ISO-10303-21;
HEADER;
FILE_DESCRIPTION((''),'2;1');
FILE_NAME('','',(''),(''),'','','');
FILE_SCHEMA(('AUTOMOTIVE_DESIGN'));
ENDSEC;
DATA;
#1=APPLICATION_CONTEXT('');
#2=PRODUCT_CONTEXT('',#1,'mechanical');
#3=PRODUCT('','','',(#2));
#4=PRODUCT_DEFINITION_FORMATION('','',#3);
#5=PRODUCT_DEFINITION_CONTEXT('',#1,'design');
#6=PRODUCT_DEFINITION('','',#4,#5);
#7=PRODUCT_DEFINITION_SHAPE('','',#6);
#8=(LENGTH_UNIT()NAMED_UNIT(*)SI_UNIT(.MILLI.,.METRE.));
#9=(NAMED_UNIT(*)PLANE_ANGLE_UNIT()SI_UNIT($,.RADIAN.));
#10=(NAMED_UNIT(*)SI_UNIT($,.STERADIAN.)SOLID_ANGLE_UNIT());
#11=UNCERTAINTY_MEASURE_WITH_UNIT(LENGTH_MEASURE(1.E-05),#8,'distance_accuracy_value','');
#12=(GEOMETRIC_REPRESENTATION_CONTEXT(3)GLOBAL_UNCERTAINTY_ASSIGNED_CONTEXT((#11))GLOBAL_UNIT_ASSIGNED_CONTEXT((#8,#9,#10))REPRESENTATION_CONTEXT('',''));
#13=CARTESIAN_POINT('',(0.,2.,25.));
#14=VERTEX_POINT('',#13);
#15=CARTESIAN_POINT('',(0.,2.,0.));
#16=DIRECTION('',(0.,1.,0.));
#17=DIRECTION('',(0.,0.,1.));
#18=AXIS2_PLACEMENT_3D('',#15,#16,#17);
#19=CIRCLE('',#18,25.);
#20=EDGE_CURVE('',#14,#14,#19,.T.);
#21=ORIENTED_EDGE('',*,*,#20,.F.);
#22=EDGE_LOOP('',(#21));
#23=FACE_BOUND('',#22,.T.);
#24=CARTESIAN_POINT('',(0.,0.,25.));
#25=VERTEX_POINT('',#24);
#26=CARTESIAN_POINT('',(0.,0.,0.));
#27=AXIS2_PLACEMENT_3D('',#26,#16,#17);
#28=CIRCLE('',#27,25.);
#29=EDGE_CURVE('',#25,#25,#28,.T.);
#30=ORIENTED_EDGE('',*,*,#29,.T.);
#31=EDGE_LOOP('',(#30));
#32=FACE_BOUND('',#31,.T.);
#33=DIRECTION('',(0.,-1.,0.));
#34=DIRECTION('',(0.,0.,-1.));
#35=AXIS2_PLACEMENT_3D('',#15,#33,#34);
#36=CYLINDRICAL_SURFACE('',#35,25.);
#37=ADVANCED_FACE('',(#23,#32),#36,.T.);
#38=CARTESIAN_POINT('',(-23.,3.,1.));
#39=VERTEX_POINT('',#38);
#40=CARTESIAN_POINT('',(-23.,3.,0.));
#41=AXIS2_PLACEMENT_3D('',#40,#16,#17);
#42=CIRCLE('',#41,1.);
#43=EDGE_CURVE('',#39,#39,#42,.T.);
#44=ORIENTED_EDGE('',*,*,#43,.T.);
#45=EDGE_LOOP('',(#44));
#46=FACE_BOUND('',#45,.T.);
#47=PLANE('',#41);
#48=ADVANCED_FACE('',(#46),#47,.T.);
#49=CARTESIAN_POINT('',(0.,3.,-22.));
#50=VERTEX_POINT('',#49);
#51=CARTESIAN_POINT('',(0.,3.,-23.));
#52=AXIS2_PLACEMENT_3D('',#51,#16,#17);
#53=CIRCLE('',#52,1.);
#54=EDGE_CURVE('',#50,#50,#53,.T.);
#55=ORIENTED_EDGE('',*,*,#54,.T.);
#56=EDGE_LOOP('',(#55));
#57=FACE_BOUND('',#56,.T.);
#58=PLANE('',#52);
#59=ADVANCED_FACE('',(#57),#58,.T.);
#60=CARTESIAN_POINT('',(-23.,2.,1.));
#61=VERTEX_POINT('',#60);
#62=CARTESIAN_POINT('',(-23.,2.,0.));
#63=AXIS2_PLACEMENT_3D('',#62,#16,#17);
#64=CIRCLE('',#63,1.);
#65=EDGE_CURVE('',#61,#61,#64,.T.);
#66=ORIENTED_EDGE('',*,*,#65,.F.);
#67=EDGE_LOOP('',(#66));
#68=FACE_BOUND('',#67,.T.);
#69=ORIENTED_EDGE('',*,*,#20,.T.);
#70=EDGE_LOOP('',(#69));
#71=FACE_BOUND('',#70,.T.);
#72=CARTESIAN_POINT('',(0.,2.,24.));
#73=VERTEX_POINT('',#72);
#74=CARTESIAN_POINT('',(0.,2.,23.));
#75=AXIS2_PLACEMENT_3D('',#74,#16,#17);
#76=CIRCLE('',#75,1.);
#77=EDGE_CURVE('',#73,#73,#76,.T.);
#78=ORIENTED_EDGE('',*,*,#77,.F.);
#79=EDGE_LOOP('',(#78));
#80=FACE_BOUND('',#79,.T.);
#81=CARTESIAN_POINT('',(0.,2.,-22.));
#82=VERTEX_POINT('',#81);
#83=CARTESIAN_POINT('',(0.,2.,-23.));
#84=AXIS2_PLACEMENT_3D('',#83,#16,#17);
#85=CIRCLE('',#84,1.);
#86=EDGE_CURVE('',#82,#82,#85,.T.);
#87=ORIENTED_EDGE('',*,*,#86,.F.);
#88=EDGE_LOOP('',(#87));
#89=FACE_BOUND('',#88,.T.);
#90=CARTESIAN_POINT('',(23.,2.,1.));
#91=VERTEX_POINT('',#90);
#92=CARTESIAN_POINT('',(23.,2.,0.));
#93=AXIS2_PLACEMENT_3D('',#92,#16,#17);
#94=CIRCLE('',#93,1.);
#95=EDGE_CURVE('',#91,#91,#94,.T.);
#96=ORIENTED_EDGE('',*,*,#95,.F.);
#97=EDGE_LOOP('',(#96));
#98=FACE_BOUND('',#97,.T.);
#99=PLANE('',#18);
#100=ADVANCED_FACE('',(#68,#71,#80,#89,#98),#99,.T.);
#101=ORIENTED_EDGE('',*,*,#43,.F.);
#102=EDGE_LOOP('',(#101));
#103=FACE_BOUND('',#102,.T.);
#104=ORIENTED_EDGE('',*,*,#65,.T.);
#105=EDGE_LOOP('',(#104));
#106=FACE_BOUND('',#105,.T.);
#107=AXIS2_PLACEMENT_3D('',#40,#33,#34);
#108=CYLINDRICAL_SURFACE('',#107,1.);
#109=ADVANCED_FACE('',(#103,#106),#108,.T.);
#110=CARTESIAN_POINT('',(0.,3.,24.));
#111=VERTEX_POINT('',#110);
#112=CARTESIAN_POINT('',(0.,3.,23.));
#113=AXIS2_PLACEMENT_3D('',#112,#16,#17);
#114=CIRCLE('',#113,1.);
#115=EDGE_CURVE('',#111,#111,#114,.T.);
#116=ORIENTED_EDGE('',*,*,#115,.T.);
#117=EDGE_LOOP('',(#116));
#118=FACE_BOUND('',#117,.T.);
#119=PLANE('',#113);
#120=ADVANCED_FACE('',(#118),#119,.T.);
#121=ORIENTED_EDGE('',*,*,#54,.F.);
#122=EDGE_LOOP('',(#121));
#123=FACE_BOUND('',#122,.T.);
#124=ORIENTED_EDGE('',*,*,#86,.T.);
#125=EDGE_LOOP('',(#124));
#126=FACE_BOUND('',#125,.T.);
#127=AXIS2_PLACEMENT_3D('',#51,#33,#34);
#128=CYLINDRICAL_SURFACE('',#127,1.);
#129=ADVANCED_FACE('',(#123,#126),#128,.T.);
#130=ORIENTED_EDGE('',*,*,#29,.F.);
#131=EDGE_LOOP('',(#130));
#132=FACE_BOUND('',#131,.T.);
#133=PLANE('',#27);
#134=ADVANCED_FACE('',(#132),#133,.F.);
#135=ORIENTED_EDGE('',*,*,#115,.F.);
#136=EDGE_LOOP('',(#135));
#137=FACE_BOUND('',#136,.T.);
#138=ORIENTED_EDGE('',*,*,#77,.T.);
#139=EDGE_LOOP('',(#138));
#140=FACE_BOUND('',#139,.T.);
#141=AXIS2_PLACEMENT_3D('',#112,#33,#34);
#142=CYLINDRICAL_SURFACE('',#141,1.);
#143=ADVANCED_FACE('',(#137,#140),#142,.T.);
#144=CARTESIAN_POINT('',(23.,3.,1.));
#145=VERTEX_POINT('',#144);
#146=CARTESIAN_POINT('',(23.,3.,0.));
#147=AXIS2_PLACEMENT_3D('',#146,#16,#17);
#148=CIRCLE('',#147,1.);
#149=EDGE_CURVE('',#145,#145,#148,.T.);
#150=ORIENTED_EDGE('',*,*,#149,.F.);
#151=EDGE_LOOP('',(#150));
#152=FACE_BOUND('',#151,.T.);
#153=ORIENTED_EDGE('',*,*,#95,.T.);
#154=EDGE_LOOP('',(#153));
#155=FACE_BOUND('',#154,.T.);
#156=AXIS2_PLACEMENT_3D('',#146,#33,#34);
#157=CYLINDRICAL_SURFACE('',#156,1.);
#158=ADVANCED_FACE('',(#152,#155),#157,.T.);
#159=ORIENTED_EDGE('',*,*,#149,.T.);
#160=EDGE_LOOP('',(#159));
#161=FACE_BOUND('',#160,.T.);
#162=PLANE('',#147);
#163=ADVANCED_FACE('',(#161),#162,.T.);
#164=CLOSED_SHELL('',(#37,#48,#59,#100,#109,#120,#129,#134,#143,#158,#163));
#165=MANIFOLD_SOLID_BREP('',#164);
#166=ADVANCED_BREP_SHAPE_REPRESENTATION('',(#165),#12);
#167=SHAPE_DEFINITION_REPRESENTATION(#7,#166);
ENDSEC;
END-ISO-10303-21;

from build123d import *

# Parameters (mm, degrees)
SKETCH1_R           = 25
BOSS_EXTRUDE1_DEPTH = 2
SKETCH2_R           = 1
BOSS_EXTRUDE2_DEPTH = 1


with BuildPart() as part:
    # Sketch1 → Boss-Extrude1 (new body)
    with BuildSketch(Plane(origin=(0, 0, 0), x_dir=(1, 0, 0), z_dir=(0, 1, 0))):
        Circle(SKETCH1_R)
    extrude(amount=BOSS_EXTRUDE1_DEPTH)

    # Sketch2 → Boss-Extrude2 (add)
    with BuildSketch(Plane(origin=(0, 2, 0), x_dir=(1, 0, 0), z_dir=(0, 1, 0))):
        with Locations((0, 23)):
            Circle(SKETCH2_R)
        with Locations((23, 0)):
            Circle(SKETCH2_R)
        with Locations((0, -23)):
            Circle(SKETCH2_R)
        with Locations((-23, 0)):
            Circle(SKETCH2_R)
    extrude(amount=BOSS_EXTRUDE2_DEPTH)


solid = part.part
